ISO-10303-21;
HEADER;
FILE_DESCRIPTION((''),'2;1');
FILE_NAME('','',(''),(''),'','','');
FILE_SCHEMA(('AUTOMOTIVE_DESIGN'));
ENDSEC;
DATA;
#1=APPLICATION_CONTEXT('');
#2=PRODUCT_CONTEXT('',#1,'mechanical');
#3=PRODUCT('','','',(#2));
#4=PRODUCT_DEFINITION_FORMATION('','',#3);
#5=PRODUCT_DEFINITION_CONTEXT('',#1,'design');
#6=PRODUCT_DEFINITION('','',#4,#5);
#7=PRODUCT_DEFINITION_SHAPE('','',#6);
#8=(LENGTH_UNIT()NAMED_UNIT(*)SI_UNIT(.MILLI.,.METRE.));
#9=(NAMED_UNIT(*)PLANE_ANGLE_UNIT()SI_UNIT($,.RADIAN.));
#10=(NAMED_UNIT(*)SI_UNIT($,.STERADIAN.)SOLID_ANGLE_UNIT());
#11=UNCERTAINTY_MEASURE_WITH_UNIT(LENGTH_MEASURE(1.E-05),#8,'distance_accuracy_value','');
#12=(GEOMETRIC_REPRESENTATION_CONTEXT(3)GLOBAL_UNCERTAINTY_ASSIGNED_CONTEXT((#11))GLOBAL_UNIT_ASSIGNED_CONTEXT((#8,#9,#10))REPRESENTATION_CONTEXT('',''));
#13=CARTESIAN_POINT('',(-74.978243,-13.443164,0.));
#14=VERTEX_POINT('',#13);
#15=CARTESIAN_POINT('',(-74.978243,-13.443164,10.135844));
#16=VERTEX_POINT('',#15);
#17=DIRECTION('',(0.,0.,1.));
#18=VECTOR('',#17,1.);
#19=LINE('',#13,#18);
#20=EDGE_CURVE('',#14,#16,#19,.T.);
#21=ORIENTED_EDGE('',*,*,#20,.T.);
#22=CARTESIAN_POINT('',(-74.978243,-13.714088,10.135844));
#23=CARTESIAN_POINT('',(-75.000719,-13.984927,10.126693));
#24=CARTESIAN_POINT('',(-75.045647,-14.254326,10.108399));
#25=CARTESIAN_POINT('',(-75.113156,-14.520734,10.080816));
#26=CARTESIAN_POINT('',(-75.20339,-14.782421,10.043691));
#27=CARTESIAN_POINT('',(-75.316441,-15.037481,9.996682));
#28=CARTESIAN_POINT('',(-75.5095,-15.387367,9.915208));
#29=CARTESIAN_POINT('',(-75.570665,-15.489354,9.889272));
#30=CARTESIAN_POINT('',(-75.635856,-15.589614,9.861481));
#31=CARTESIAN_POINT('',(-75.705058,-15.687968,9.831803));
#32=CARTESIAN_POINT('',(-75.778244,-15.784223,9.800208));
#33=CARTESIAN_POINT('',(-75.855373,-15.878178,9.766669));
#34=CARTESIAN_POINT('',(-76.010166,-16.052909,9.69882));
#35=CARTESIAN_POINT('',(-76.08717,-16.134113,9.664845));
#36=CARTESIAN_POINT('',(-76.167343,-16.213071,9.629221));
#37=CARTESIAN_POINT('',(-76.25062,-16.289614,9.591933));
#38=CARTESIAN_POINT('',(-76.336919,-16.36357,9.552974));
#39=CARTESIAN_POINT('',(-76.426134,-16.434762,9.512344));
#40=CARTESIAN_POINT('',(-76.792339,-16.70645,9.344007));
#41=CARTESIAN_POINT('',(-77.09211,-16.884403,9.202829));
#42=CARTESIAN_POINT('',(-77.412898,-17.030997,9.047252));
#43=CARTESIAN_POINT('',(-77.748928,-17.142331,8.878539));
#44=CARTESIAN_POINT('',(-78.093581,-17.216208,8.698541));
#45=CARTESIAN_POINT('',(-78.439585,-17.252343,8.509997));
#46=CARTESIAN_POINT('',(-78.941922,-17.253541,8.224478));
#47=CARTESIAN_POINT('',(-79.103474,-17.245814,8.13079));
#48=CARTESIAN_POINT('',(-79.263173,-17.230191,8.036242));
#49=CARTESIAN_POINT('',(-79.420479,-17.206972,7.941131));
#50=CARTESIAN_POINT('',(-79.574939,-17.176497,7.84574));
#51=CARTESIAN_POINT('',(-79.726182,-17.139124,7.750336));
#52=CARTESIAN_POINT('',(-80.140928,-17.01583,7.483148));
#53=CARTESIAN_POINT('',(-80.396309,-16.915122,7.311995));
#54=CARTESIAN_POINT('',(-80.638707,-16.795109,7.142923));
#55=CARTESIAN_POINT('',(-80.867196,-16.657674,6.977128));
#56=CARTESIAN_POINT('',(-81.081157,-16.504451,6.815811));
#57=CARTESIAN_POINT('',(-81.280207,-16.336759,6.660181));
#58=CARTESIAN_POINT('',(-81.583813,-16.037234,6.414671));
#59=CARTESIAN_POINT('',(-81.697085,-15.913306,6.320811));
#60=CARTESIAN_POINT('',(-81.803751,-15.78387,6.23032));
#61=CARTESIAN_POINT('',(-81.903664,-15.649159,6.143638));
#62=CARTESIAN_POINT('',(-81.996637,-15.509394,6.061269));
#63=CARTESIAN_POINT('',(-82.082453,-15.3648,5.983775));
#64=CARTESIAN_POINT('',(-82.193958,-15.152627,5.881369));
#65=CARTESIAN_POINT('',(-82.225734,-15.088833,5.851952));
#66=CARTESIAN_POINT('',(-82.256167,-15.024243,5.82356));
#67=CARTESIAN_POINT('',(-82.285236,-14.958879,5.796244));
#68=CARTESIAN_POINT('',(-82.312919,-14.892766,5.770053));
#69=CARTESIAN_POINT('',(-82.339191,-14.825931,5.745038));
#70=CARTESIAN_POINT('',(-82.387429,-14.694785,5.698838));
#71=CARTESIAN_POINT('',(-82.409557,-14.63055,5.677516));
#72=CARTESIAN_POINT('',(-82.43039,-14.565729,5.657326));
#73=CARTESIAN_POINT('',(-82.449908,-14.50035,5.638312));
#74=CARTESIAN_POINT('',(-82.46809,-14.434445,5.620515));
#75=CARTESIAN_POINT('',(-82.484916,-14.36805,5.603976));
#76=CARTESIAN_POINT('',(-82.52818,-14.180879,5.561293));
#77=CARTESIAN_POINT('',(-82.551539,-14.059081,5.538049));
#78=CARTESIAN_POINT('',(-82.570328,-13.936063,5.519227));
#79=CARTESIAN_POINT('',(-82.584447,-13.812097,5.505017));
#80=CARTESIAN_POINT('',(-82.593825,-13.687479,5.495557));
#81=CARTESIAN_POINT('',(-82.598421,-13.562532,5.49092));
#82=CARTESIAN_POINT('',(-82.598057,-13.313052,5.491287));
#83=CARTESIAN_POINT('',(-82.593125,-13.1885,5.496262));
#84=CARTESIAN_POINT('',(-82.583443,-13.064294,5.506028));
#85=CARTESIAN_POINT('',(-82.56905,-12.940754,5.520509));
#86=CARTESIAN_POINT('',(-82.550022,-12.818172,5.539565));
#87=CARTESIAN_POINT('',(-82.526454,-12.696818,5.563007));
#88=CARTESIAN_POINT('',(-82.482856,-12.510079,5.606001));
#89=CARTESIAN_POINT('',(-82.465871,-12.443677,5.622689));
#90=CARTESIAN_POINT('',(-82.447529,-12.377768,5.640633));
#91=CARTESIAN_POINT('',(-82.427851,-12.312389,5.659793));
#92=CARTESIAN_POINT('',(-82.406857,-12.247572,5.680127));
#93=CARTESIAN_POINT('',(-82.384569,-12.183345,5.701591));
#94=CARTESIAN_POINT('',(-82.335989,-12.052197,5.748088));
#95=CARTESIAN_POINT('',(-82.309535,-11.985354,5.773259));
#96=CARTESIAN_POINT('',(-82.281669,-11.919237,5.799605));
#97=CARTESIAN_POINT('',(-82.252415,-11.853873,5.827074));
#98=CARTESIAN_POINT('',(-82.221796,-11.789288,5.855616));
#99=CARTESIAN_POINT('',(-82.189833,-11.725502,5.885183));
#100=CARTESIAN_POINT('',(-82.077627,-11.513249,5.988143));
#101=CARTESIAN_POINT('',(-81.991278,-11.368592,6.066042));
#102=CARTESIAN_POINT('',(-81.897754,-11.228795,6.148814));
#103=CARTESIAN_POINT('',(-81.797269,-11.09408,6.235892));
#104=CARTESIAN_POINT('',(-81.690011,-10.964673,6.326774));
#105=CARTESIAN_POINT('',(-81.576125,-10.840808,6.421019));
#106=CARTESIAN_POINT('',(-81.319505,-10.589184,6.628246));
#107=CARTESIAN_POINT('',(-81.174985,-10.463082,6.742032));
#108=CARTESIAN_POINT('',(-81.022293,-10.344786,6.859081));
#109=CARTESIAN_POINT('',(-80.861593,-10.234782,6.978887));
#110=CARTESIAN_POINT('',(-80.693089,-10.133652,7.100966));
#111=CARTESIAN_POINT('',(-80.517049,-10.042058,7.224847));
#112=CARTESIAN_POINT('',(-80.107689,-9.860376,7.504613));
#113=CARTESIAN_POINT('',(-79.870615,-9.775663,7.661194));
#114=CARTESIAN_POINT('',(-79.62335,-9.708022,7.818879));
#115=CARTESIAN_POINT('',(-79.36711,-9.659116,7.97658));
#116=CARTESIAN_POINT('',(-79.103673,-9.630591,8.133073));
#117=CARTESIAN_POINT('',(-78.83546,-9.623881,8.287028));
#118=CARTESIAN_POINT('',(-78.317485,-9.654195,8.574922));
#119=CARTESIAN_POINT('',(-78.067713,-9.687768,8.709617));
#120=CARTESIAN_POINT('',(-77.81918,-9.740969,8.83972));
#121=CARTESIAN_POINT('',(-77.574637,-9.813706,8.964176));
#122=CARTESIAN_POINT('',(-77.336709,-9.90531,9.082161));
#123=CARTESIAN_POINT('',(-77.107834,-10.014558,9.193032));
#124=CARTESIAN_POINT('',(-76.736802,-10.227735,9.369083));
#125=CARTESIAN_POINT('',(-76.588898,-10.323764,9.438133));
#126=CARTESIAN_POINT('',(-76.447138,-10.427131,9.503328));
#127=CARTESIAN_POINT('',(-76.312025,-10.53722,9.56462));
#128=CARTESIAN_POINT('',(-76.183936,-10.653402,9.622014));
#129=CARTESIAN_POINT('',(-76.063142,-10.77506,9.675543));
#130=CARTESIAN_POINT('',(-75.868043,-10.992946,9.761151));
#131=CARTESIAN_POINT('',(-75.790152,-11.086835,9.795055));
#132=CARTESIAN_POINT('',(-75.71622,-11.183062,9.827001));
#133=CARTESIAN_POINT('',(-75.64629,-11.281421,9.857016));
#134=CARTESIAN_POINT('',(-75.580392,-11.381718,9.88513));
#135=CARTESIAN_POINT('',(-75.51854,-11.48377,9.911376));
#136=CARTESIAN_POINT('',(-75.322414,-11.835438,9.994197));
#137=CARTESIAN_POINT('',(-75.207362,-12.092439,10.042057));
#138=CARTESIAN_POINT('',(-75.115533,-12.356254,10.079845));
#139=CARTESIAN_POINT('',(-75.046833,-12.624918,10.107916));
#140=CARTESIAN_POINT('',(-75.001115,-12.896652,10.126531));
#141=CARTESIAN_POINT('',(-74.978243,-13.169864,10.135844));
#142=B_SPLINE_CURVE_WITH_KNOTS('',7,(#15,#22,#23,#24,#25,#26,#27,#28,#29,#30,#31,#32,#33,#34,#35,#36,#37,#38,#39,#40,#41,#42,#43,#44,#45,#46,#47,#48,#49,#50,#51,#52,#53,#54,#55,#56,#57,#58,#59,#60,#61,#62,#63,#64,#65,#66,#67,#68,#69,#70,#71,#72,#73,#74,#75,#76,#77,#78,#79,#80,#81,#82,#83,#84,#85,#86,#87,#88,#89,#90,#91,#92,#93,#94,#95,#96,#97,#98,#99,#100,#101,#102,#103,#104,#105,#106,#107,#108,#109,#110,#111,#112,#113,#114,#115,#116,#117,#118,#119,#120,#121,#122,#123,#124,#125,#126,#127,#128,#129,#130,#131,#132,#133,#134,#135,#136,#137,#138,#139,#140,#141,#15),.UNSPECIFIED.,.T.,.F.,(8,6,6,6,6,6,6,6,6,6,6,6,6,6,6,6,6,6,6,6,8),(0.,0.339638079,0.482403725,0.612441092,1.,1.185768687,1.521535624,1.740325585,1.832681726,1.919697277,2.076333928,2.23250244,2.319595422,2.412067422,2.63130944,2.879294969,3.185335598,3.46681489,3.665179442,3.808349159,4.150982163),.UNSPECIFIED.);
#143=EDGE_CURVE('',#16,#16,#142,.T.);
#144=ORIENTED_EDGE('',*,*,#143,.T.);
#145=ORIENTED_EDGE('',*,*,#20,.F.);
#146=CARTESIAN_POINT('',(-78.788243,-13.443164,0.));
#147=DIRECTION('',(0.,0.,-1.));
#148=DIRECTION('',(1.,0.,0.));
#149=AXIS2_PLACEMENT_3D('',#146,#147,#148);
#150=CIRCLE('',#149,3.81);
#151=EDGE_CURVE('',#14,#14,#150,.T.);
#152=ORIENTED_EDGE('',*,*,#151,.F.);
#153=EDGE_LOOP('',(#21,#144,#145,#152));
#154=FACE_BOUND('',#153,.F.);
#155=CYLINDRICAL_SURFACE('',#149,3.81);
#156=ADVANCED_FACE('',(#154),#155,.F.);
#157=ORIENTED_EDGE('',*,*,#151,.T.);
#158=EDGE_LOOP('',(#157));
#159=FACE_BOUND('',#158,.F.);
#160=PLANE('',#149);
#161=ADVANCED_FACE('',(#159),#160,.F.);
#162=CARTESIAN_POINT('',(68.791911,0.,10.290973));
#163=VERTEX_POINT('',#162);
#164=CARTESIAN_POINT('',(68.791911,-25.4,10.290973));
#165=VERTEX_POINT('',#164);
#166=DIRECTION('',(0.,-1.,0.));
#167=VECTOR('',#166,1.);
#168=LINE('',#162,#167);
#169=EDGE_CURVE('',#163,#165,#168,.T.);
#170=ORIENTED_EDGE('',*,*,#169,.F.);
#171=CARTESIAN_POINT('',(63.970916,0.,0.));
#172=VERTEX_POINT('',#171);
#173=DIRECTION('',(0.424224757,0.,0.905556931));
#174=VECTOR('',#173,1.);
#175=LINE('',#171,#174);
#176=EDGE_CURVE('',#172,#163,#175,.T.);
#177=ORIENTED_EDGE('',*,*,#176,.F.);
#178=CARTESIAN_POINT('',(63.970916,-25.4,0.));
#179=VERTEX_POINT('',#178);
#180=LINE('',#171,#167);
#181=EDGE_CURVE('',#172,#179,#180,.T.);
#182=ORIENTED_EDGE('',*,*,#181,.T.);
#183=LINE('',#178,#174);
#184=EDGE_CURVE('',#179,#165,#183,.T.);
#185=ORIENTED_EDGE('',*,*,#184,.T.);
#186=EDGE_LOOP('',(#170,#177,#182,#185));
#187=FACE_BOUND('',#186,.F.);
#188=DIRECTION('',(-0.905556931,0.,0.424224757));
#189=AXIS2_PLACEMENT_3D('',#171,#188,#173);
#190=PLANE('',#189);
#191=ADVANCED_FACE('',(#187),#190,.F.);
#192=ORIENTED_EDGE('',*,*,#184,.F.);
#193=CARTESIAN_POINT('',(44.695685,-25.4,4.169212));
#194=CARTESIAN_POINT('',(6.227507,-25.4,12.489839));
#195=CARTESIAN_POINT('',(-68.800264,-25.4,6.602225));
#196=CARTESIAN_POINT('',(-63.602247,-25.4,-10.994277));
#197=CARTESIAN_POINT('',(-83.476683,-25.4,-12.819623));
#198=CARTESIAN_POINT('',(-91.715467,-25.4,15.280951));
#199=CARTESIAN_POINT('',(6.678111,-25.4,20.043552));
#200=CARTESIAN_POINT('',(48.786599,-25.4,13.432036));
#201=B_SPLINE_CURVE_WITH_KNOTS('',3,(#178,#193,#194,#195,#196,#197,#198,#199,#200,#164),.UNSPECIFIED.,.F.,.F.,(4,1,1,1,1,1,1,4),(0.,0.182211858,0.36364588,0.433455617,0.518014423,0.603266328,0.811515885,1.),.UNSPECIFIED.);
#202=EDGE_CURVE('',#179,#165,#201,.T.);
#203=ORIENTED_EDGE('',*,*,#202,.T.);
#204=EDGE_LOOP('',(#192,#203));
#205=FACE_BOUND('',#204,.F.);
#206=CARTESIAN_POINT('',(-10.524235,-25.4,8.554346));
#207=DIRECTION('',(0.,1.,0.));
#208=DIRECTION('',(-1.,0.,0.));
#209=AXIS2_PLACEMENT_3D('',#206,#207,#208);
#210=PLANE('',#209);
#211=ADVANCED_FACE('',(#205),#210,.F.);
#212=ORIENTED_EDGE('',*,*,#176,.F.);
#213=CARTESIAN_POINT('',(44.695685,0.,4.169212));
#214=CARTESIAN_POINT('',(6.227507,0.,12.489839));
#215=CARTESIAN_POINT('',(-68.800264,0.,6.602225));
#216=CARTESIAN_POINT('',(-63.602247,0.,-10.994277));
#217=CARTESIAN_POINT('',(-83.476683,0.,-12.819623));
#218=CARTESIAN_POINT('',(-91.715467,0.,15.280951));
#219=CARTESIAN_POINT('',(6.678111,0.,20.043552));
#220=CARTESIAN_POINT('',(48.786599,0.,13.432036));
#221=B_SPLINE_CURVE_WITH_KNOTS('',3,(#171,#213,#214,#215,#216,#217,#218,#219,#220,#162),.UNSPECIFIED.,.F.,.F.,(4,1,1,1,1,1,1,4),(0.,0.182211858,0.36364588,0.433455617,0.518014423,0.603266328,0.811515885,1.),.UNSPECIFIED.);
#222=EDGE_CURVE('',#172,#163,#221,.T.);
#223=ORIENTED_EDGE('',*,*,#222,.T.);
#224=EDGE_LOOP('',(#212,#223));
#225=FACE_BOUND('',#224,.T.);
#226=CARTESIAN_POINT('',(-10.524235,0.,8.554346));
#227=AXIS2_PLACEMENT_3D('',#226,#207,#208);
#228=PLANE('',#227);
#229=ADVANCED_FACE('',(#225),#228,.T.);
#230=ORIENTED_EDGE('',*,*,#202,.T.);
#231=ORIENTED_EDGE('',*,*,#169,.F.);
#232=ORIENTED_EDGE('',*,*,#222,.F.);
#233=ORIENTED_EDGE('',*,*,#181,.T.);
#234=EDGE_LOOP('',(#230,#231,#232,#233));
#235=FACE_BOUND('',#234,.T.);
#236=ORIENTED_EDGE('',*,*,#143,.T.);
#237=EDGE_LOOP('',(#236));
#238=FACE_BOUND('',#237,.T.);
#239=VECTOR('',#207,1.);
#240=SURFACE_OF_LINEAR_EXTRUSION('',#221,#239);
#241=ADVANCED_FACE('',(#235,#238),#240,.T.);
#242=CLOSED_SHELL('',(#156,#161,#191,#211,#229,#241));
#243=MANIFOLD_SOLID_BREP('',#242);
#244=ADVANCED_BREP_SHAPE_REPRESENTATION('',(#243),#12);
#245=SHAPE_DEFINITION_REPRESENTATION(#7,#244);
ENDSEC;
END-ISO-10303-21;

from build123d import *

# Parameters (mm, degrees)
F1_DEPTH = 25.4
F3_D     = 7.62
F3_DEPTH = 17.5056579383


with BuildPart() as f1:
    # F0 (on Front) → F1 (new body)
    with BuildSketch(Plane.XZ):
        with BuildLine():
            add(Edge.make_bspline(
                [(63.9709159732, 0), (44.6956851318, 4.1692120861), (6.2275065929, 12.4898385012), (-68.800263926, 6.6022250468), (-63.6022468034, -10.9942773594), (-83.4766825789, -12.8196232582), (-91.7154670476, 15.2809509165), (6.6781106949, 20.0435520202), (48.7865985417, 13.4320364184), (68.791911006, 10.2909728885)],
                knots=[0, 0, 0, 0, 0.1822118578, 0.3636458798, 0.433455617, 0.5180144228, 0.6032663284, 0.811515885, 1, 1, 1, 1], degree=3))
            Line((63.9709159732, 0), (68.791911006, 10.2909728885))
        make_face()
    extrude(amount=F1_DEPTH)

    # F3 (through all, one way)
    with BuildSketch(Plane(origin=(0, 0, 0), x_dir=(1, 0, 0), z_dir=(0, 0, -1))):
        with Locations((-78.7882432342, 13.4431635961)):
            Circle(F3_D / 2)
    extrude(amount=-F3_DEPTH, mode=Mode.SUBTRACT)


solid = f1.part
